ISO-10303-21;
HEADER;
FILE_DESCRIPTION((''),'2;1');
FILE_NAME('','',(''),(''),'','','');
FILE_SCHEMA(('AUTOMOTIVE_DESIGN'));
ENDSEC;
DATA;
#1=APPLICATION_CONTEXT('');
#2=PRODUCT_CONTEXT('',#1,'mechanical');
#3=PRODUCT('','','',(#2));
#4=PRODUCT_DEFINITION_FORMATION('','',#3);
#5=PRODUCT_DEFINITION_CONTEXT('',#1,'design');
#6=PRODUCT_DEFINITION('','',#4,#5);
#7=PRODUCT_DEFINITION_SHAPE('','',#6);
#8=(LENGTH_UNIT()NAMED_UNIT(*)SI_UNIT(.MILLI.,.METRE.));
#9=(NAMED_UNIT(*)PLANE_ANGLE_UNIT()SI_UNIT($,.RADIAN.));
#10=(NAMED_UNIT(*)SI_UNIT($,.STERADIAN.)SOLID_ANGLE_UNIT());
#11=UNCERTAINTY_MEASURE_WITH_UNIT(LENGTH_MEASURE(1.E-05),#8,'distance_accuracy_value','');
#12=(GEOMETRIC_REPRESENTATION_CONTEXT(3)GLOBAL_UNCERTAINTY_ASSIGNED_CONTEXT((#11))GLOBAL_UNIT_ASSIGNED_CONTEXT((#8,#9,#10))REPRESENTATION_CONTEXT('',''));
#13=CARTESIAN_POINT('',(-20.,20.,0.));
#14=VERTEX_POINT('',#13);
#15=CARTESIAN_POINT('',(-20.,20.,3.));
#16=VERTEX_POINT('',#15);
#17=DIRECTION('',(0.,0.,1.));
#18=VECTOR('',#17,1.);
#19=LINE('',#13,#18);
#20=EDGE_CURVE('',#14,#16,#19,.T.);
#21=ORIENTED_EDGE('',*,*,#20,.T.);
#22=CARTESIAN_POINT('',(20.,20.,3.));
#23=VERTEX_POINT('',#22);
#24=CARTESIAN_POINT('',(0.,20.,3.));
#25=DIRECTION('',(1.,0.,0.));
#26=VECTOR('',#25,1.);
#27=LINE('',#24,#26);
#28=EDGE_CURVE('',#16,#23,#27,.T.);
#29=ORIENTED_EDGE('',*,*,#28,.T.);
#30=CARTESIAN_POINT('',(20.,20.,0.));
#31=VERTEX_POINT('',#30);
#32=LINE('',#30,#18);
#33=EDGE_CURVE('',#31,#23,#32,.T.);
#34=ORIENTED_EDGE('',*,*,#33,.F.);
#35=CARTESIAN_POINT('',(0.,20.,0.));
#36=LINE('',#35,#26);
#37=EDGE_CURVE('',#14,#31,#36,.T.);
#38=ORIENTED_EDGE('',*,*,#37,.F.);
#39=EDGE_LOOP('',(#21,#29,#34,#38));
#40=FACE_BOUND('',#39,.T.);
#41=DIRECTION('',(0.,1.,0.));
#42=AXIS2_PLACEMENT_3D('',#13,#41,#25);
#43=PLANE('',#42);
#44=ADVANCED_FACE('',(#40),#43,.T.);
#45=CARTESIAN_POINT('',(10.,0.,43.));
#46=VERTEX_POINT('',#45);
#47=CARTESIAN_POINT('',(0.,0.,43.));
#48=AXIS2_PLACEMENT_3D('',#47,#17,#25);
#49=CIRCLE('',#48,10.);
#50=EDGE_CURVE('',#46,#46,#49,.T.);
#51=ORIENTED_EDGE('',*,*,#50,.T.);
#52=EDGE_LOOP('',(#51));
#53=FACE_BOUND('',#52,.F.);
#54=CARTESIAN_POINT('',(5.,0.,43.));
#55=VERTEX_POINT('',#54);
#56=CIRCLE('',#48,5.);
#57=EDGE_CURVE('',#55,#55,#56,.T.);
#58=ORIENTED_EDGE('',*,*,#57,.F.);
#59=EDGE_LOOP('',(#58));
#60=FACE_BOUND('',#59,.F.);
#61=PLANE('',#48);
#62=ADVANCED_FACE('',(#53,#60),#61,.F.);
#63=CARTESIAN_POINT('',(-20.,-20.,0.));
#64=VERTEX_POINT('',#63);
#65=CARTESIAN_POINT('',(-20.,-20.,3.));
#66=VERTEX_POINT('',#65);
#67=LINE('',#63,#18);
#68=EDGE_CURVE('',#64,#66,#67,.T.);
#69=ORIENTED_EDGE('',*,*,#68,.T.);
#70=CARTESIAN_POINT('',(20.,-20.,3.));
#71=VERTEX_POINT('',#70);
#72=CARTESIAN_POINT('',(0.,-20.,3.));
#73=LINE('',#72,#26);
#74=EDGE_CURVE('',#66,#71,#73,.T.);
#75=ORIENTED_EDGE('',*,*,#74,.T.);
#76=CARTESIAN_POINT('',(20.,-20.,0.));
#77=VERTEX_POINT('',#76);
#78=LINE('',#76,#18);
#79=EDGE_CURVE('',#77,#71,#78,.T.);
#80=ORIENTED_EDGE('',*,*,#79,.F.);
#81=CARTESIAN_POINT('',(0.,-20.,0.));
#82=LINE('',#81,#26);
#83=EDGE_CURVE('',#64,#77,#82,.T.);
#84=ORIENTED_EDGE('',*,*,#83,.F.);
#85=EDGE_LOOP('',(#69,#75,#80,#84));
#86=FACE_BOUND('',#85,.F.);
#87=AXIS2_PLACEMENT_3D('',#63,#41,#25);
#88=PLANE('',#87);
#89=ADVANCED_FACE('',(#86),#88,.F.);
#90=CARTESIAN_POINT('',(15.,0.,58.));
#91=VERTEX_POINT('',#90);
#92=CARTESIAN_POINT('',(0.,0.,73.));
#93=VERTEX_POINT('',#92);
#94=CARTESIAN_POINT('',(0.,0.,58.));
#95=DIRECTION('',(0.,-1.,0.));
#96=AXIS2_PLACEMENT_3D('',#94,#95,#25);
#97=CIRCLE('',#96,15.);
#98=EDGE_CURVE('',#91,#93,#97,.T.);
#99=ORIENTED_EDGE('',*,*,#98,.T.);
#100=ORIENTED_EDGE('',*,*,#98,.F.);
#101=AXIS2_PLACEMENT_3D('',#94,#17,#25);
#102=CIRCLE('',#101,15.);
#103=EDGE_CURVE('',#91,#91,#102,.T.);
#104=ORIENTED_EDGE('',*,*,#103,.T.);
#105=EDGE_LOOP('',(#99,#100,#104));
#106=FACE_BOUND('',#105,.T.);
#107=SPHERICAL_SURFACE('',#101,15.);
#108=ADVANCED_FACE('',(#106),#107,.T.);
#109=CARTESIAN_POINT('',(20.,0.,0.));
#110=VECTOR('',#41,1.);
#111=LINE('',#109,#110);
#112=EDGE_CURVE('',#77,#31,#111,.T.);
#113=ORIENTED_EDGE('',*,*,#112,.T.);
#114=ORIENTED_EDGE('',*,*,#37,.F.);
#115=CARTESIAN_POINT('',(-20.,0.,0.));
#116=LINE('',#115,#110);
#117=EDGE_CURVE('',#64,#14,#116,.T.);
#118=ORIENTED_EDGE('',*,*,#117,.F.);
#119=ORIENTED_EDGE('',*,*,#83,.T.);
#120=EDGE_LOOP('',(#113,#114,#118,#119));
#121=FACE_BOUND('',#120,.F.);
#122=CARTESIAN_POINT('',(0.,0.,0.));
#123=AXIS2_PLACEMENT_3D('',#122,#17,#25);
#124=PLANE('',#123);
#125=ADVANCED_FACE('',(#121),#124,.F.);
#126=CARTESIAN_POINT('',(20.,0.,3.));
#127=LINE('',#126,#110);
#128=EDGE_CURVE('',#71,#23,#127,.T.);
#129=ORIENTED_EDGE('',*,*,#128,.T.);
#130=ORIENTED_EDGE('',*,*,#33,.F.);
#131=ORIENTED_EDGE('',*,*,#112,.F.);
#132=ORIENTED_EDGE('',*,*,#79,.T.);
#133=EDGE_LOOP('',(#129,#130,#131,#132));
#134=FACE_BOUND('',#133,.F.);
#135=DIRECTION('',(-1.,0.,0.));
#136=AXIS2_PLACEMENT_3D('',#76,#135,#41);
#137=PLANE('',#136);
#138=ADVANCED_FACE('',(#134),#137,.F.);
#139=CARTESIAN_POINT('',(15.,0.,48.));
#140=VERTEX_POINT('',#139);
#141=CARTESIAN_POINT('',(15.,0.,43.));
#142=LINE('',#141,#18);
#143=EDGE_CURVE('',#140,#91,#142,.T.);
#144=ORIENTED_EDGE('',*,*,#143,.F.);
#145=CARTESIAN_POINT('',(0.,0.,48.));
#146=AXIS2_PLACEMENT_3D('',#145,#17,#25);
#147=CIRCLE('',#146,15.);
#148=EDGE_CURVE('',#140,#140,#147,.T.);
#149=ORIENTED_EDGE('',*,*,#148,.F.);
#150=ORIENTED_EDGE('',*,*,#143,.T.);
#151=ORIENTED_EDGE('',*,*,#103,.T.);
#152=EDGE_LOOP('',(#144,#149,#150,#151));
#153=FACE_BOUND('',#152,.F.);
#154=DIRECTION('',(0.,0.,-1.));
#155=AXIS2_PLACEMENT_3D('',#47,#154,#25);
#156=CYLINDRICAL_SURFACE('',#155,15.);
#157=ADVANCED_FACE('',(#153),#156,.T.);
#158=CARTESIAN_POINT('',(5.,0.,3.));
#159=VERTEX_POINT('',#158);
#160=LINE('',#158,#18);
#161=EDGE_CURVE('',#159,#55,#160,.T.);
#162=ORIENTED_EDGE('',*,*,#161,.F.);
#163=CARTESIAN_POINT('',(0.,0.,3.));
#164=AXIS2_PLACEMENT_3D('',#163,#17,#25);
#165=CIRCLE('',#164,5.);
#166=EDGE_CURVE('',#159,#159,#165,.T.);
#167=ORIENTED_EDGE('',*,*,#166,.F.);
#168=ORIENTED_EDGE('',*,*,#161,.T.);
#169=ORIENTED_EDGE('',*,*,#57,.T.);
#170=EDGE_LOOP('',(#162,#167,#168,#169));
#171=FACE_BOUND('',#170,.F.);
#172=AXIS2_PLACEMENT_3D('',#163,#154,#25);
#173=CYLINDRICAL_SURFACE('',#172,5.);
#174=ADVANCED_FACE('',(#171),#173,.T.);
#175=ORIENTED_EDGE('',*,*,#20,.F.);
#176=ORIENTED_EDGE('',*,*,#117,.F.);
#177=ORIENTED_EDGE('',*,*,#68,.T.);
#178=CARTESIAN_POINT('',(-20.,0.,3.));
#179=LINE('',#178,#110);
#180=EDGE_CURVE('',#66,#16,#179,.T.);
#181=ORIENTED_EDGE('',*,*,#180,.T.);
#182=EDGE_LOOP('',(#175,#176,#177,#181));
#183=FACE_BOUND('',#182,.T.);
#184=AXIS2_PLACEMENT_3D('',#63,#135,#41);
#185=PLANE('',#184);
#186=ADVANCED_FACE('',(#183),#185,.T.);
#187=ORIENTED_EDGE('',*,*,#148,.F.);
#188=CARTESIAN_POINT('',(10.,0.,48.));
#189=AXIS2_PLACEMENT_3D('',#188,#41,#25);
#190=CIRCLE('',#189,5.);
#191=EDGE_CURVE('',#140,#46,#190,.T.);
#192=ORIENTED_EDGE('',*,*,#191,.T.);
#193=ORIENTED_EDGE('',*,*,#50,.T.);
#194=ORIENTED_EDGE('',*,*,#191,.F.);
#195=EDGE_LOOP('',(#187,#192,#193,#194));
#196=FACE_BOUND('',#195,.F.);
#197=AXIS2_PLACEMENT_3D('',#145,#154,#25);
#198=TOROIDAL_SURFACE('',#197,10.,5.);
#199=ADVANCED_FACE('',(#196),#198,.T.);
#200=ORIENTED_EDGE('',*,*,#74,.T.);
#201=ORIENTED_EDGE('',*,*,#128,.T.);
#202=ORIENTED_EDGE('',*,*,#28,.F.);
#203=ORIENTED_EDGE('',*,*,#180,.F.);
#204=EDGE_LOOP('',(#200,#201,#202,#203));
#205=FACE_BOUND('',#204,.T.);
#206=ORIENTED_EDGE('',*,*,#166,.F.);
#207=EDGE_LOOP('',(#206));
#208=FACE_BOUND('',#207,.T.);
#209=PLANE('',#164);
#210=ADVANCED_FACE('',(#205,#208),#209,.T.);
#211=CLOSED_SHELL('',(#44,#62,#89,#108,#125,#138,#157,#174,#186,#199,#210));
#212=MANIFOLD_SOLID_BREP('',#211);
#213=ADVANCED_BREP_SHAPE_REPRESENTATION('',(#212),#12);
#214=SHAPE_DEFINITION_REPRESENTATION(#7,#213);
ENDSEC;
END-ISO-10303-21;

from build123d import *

# Parameters (mm, degrees)
F0_W     = 40
F0_H     = 40
F1_DEPTH = 3
F2_R     = 5
F3_DEPTH = 40
F4_R     = 15
F5_DEPTH = 30
F6_R     = 15
F7_R     = 5


with BuildPart() as f1:
    # F0 (on Top) → F1 (new body)
    with BuildSketch(Plane.XY):
        Rectangle(F0_W, F0_H)
    extrude(amount=F1_DEPTH)

    # F2 (on face) → F3 (join)
    with BuildSketch(Plane.XY.offset(3)):
        Circle(F2_R)
    extrude(amount=F3_DEPTH)

    # F4 (on face) → F5 (join)
    with BuildSketch(Plane.XY.offset(43)):
        Circle(F4_R)
    extrude(amount=F5_DEPTH)

    # F6
    f6_edges = [f1.edges().sort_by_distance(p)[0] for p in [
        (-15, 0, 73),
    ]]
    fillet(f6_edges, radius=F6_R)

    # F7
    f7_edges = [f1.edges().sort_by_distance(p)[0] for p in [
        (-15, 0, 43),
    ]]
    fillet(f7_edges, radius=F7_R)


solid = f1.part
